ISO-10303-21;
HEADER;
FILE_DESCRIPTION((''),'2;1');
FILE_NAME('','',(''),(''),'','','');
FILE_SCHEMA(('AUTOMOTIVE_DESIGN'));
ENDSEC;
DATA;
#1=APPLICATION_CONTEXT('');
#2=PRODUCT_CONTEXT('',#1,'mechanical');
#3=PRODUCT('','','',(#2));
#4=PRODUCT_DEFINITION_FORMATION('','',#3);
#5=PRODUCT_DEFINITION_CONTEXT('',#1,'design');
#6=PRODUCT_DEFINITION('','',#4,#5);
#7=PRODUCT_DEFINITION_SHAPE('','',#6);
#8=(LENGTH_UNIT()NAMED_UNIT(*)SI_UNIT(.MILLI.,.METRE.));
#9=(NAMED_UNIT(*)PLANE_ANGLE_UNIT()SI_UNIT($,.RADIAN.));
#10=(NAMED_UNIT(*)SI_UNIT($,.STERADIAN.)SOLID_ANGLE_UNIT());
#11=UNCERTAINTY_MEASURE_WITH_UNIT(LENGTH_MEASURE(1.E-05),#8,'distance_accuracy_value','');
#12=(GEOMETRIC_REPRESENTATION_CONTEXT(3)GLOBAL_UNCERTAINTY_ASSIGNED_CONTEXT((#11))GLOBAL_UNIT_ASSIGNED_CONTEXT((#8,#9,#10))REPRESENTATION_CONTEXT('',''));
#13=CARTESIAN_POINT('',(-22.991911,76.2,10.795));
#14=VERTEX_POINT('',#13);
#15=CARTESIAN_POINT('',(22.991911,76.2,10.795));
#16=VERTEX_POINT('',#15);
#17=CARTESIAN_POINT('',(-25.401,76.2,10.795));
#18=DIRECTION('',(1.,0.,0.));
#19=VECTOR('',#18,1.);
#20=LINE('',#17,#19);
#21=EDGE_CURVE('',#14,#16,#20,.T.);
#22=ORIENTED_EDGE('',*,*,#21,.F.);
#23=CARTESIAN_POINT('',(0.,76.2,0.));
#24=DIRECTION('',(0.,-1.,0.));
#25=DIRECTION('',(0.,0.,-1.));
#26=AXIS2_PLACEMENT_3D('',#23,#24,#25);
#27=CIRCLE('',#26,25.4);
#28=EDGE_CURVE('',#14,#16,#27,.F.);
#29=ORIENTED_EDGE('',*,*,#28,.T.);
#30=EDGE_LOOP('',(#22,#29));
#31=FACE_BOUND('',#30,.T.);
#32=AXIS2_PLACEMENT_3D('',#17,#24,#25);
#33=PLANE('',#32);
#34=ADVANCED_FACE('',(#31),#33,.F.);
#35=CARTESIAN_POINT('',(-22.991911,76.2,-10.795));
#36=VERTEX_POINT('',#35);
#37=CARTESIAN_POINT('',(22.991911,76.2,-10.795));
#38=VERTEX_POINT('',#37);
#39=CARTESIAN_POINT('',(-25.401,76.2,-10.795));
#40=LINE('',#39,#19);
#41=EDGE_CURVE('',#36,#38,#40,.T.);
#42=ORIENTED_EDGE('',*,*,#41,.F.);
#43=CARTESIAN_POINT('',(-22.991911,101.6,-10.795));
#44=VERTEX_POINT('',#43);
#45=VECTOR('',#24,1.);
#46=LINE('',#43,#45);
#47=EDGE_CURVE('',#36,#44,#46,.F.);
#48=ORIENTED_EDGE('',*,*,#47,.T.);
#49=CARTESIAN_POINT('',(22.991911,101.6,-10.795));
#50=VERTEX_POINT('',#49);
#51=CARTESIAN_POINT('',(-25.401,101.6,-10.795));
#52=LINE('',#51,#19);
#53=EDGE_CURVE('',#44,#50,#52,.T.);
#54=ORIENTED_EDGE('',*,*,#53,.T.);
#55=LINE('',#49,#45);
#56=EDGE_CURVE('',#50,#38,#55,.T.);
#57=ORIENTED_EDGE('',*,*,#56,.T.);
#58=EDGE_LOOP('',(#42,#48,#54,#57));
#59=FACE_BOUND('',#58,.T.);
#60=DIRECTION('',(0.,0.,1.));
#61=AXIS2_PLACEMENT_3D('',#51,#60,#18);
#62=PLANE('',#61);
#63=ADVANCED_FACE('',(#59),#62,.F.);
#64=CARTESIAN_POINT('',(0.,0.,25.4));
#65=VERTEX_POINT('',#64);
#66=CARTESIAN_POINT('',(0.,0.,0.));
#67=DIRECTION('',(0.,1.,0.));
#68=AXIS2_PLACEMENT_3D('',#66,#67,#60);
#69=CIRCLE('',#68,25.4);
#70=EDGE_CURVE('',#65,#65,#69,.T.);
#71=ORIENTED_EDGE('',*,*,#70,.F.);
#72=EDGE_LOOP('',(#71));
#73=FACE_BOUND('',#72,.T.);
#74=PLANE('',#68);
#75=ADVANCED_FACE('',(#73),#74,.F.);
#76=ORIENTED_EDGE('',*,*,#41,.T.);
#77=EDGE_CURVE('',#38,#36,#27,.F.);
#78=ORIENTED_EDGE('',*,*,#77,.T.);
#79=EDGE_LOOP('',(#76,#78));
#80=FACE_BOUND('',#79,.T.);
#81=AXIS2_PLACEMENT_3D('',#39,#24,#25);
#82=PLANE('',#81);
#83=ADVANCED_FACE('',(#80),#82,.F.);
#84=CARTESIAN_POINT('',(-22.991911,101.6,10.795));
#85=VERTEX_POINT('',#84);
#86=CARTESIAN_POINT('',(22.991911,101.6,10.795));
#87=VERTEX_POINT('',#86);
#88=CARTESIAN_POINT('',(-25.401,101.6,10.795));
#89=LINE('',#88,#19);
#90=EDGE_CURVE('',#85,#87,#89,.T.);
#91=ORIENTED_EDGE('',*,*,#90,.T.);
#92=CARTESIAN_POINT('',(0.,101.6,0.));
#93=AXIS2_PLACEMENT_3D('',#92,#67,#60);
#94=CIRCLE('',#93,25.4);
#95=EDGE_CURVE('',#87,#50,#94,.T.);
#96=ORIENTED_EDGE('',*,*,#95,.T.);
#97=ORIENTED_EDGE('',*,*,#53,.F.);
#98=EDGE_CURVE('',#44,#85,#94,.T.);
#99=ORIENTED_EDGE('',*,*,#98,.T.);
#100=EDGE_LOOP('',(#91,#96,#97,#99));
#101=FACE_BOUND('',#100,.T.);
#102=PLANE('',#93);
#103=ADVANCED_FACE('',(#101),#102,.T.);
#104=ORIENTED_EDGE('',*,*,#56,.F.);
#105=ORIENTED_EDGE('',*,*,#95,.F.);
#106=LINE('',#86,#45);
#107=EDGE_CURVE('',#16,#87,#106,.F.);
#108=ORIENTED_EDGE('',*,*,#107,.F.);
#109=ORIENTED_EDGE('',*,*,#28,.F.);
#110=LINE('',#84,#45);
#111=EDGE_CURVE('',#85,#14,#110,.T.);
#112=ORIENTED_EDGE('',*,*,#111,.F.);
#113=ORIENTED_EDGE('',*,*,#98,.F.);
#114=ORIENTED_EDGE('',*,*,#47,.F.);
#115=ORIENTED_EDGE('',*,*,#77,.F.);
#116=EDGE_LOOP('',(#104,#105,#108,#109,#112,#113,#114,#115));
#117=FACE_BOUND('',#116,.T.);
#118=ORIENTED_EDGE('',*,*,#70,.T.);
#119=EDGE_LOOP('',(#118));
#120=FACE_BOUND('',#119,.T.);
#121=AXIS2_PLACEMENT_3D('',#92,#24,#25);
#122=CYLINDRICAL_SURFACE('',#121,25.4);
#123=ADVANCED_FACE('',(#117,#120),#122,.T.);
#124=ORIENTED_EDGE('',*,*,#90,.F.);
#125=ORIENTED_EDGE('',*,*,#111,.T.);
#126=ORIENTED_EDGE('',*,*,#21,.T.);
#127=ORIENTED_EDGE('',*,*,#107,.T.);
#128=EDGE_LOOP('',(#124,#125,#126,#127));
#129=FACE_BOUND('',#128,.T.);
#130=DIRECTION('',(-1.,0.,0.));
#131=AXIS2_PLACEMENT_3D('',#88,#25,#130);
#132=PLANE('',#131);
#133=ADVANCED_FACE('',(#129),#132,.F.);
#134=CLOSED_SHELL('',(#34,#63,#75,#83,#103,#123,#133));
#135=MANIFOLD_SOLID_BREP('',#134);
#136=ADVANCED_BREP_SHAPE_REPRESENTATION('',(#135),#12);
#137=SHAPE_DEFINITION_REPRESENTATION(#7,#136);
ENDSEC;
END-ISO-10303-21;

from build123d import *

# Parameters (mm, degrees)
SKETCH1_R           = 25.4
BOSS_EXTRUDE1_DEPTH = 101.6
CUT_EXTRUDE1_REACH  = 118.397
SKETCH2_W           = 14.605
SKETCH2_H           = 25.4


with BuildPart() as part:
    # Sketch1 → Boss-Extrude1 (new body)
    with BuildSketch(Plane(origin=(0, 0, 0), x_dir=(1, 0, 0), z_dir=(0, 1, 0))):
        with Locations(Location((0, 0, 0), (0, 0, 270))):
            Circle(SKETCH1_R)
    extrude(amount=BOSS_EXTRUDE1_DEPTH)

    # Sketch2 → Cut-Extrude1 (cut, up to next)
    with BuildSketch(Plane(origin=(25.4, 0, 0), x_dir=(0, 0, -1), z_dir=(1, 0, 0)), mode=Mode.PRIVATE) as cut_extrude1_sk1:
        with Locations((-18.0975, 88.9)):
            Rectangle(SKETCH2_W, SKETCH2_H)
    cut_extrude1_tool1 = extrude(cut_extrude1_sk1.sketch, amount=-CUT_EXTRUDE1_REACH, mode=Mode.PRIVATE) & part.part
    # Sketch2 → Cut-Extrude1 (cut, up to next)
    with BuildSketch(Plane(origin=(25.4, 0, 0), x_dir=(0, 0, -1), z_dir=(1, 0, 0)), mode=Mode.PRIVATE) as cut_extrude1_sk2:
        with Locations((18.0975, 88.9)):
            Rectangle(SKETCH2_W, SKETCH2_H)
    cut_extrude1_tool2 = extrude(cut_extrude1_sk2.sketch, amount=-CUT_EXTRUDE1_REACH, mode=Mode.PRIVATE) & part.part
    add(cut_extrude1_tool1.solids().sort_by_distance((25.4, 88.9, 18.0975))[0], mode=Mode.SUBTRACT)
    add(cut_extrude1_tool2.solids().sort_by_distance((25.4, 88.9, -18.0975))[0], mode=Mode.SUBTRACT)


solid = part.part
